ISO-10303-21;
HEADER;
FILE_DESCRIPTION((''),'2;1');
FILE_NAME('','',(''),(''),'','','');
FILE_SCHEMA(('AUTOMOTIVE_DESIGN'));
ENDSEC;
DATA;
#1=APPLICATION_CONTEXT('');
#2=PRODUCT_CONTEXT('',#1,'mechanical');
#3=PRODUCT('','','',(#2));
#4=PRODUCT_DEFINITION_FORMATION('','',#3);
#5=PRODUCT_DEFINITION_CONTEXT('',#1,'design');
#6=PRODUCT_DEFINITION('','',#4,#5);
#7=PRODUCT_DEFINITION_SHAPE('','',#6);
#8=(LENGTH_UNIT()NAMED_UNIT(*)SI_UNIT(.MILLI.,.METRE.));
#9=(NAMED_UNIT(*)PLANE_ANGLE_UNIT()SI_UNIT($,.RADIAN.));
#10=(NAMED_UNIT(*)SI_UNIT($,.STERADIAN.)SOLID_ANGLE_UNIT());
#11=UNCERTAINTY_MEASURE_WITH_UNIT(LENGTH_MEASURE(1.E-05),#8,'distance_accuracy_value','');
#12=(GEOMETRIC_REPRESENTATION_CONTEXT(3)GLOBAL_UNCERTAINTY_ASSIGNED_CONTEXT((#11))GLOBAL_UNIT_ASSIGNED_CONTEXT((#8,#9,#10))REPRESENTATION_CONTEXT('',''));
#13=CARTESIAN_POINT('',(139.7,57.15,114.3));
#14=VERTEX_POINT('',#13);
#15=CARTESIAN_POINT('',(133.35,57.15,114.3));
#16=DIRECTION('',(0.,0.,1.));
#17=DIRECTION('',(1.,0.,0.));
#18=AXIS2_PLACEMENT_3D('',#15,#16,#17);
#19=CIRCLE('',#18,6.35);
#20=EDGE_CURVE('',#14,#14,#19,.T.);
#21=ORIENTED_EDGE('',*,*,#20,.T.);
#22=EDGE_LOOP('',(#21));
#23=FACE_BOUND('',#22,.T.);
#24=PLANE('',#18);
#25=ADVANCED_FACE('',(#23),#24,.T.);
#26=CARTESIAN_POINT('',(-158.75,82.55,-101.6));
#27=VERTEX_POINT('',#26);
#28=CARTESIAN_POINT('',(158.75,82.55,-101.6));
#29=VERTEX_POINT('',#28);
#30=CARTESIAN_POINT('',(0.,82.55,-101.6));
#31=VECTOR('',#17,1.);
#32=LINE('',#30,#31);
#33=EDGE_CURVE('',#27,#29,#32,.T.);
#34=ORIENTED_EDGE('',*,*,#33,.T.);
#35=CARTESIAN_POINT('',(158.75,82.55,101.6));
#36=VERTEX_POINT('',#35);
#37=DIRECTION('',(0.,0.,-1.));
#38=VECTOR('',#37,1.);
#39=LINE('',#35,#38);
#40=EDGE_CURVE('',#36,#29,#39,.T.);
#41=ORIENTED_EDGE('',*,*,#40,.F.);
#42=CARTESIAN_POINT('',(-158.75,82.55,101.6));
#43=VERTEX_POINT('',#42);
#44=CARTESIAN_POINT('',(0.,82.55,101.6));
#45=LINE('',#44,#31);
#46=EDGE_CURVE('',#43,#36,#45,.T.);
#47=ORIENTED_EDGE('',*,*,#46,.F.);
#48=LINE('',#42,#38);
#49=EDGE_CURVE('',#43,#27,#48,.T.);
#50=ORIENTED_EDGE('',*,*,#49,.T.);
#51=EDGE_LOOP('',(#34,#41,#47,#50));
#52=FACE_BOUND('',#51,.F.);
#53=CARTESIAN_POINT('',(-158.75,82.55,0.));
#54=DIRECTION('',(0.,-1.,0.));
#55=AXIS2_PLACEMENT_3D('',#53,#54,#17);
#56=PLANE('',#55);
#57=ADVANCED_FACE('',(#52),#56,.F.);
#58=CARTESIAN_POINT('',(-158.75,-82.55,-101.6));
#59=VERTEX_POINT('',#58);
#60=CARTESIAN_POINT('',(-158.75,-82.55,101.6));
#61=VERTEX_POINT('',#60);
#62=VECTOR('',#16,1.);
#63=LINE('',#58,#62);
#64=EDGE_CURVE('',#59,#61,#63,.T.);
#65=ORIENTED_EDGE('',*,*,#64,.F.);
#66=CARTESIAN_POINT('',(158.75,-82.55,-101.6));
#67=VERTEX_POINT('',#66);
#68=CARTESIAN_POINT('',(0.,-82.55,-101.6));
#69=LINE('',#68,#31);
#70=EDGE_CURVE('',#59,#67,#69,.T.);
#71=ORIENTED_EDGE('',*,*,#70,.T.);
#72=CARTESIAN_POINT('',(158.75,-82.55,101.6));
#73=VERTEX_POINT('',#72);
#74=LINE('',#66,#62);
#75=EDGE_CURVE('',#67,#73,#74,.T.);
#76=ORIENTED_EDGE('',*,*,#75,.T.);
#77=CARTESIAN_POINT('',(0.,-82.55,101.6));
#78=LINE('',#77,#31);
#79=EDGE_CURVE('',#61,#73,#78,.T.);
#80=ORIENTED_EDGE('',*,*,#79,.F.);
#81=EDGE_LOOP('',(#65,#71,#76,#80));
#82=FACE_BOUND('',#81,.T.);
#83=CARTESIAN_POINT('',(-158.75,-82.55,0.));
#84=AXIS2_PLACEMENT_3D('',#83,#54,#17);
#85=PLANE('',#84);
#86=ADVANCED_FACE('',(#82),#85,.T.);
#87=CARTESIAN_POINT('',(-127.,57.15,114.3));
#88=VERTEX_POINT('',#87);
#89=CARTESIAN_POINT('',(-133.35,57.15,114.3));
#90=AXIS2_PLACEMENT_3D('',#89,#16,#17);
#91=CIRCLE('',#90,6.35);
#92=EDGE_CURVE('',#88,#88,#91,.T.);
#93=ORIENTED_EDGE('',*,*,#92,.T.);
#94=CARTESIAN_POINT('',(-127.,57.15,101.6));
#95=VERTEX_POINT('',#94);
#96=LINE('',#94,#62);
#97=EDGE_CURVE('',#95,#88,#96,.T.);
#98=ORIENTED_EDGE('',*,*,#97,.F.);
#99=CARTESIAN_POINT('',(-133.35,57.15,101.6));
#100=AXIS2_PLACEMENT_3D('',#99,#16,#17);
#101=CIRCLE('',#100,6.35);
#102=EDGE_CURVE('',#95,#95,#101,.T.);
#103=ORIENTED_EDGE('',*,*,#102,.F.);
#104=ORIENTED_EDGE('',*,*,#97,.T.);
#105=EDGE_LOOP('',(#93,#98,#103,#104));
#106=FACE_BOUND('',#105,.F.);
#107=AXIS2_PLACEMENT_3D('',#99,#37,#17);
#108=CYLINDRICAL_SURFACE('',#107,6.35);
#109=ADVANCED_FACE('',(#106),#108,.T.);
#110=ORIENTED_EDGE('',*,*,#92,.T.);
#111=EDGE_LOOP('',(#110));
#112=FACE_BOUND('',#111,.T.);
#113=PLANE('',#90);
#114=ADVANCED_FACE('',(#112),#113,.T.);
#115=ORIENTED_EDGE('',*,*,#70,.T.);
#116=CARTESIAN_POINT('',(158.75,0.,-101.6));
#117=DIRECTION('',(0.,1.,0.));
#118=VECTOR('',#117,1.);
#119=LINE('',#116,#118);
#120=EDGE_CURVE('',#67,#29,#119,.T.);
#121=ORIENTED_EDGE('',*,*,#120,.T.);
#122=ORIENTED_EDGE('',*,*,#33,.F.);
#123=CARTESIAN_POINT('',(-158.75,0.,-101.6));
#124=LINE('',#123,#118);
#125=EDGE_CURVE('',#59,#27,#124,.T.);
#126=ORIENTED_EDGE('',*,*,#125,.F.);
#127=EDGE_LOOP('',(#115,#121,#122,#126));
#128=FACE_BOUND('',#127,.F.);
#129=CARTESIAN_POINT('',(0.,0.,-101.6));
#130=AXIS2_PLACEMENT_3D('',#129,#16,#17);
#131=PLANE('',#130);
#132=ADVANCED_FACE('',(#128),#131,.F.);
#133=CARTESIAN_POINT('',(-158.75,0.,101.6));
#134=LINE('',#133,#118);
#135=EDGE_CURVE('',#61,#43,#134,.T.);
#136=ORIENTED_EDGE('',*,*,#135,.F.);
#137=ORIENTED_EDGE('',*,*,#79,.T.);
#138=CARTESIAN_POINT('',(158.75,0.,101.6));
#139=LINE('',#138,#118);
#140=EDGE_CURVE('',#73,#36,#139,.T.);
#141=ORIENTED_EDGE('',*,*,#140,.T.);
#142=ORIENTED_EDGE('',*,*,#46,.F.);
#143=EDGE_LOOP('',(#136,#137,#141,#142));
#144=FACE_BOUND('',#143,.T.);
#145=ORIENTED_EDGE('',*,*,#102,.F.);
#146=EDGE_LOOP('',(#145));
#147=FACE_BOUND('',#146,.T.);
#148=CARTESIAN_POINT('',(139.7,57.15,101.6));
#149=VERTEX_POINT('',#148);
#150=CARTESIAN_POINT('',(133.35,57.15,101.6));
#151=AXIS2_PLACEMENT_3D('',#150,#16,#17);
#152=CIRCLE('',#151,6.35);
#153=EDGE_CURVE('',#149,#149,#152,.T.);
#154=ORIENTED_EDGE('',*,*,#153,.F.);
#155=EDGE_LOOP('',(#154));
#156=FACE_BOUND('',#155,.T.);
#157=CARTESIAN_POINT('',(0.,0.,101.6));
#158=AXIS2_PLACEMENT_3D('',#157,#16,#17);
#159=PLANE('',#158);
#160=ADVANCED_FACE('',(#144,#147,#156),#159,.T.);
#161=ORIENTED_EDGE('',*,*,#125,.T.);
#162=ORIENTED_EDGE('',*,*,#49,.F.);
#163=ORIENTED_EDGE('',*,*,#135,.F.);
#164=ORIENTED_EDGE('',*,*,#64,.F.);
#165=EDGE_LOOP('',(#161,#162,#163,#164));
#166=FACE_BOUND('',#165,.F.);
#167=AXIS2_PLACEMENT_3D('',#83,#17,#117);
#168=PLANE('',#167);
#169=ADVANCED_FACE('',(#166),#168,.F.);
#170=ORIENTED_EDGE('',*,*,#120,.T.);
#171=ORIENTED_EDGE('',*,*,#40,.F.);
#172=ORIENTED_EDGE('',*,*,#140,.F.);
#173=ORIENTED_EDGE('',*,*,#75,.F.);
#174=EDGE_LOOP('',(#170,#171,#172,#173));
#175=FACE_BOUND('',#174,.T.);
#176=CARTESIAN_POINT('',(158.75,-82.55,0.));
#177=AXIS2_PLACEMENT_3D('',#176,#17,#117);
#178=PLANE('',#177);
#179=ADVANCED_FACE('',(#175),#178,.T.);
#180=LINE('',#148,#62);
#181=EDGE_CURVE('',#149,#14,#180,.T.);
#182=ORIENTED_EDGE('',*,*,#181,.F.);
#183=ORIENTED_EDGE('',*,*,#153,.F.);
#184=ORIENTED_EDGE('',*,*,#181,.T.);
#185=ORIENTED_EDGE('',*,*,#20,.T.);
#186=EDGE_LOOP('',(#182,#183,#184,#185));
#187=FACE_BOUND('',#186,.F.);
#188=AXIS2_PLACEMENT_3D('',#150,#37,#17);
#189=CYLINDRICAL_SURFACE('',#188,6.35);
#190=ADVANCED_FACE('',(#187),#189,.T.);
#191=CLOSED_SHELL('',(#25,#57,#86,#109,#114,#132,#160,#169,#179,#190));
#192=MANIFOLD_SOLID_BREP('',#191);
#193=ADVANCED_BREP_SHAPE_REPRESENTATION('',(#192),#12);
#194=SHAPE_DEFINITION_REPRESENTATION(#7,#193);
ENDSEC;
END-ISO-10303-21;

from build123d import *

# Parameters (mm, degrees)
F0_W     = 317.5
F0_H     = 165.1
F1_DEPTH = 101.6
F2_R     = 6.35
F3_DEPTH = 12.7


with BuildPart() as f1:
    # F0 (on Top) → F1 (new body, symmetric)
    with BuildSketch(Plane.XY):
        Rectangle(F0_W, F0_H)
    extrude(amount=F1_DEPTH, both=True)

    # F2 (on face) → F3 (join)
    with BuildSketch(Plane.XY.offset(101.6)):
        with Locations((-133.35, 57.15)):
            Circle(F2_R)
        with Locations((133.35, 57.15)):
            Circle(F2_R)
    extrude(amount=F3_DEPTH)


solid = f1.part
